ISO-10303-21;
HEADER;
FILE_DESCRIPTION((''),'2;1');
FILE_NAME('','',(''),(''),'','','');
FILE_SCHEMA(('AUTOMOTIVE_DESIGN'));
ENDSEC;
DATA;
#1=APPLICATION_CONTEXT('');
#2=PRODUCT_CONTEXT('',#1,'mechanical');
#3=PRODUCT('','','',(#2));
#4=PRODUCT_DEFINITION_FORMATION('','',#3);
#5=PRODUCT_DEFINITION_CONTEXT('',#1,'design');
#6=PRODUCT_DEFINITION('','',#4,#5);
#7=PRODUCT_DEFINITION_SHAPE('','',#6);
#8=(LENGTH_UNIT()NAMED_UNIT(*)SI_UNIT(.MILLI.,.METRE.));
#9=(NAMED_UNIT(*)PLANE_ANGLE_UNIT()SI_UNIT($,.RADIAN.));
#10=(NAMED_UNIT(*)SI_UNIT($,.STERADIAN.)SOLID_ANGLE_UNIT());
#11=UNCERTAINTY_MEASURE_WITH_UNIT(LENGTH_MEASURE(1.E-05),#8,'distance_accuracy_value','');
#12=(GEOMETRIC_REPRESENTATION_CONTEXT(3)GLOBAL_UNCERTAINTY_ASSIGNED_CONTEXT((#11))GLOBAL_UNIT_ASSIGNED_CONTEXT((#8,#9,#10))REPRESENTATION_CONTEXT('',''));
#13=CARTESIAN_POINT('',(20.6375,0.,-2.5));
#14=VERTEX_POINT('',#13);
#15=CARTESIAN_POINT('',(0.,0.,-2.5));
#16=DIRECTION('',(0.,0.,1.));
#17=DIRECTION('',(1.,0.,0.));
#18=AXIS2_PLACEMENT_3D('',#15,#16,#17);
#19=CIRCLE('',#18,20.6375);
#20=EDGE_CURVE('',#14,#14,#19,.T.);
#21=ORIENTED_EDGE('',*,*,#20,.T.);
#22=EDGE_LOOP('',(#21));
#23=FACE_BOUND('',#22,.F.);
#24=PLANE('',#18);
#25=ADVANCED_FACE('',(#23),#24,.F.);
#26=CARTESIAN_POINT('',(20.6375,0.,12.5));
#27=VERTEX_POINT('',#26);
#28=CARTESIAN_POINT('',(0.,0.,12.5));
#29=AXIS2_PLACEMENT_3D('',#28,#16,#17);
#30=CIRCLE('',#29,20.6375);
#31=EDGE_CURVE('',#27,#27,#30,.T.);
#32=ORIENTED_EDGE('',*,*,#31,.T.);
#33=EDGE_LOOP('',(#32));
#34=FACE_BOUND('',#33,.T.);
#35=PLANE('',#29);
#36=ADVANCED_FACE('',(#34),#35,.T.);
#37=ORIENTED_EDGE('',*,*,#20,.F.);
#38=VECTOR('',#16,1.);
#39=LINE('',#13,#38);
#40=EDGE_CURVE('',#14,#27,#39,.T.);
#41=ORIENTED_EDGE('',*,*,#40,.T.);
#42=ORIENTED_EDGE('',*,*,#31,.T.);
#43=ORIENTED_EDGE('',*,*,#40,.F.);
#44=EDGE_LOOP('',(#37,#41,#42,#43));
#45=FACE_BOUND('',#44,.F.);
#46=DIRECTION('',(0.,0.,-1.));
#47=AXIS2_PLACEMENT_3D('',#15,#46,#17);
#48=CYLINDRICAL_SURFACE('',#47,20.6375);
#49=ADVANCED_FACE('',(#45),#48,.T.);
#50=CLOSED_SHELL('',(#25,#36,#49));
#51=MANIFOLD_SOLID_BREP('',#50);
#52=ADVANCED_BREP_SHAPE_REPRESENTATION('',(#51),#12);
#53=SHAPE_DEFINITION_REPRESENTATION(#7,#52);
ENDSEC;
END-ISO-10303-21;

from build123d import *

# Parameters (mm, degrees)
CYLINDER_R     = 20.6375
CYLINDER_DEPTH = 15


with BuildPart() as part:
    # Cylinder → Cylinder (new body)
    with BuildSketch(Plane.XY.offset(-2.5)):
        Circle(CYLINDER_R)
    extrude(amount=CYLINDER_DEPTH)


solid = part.part
